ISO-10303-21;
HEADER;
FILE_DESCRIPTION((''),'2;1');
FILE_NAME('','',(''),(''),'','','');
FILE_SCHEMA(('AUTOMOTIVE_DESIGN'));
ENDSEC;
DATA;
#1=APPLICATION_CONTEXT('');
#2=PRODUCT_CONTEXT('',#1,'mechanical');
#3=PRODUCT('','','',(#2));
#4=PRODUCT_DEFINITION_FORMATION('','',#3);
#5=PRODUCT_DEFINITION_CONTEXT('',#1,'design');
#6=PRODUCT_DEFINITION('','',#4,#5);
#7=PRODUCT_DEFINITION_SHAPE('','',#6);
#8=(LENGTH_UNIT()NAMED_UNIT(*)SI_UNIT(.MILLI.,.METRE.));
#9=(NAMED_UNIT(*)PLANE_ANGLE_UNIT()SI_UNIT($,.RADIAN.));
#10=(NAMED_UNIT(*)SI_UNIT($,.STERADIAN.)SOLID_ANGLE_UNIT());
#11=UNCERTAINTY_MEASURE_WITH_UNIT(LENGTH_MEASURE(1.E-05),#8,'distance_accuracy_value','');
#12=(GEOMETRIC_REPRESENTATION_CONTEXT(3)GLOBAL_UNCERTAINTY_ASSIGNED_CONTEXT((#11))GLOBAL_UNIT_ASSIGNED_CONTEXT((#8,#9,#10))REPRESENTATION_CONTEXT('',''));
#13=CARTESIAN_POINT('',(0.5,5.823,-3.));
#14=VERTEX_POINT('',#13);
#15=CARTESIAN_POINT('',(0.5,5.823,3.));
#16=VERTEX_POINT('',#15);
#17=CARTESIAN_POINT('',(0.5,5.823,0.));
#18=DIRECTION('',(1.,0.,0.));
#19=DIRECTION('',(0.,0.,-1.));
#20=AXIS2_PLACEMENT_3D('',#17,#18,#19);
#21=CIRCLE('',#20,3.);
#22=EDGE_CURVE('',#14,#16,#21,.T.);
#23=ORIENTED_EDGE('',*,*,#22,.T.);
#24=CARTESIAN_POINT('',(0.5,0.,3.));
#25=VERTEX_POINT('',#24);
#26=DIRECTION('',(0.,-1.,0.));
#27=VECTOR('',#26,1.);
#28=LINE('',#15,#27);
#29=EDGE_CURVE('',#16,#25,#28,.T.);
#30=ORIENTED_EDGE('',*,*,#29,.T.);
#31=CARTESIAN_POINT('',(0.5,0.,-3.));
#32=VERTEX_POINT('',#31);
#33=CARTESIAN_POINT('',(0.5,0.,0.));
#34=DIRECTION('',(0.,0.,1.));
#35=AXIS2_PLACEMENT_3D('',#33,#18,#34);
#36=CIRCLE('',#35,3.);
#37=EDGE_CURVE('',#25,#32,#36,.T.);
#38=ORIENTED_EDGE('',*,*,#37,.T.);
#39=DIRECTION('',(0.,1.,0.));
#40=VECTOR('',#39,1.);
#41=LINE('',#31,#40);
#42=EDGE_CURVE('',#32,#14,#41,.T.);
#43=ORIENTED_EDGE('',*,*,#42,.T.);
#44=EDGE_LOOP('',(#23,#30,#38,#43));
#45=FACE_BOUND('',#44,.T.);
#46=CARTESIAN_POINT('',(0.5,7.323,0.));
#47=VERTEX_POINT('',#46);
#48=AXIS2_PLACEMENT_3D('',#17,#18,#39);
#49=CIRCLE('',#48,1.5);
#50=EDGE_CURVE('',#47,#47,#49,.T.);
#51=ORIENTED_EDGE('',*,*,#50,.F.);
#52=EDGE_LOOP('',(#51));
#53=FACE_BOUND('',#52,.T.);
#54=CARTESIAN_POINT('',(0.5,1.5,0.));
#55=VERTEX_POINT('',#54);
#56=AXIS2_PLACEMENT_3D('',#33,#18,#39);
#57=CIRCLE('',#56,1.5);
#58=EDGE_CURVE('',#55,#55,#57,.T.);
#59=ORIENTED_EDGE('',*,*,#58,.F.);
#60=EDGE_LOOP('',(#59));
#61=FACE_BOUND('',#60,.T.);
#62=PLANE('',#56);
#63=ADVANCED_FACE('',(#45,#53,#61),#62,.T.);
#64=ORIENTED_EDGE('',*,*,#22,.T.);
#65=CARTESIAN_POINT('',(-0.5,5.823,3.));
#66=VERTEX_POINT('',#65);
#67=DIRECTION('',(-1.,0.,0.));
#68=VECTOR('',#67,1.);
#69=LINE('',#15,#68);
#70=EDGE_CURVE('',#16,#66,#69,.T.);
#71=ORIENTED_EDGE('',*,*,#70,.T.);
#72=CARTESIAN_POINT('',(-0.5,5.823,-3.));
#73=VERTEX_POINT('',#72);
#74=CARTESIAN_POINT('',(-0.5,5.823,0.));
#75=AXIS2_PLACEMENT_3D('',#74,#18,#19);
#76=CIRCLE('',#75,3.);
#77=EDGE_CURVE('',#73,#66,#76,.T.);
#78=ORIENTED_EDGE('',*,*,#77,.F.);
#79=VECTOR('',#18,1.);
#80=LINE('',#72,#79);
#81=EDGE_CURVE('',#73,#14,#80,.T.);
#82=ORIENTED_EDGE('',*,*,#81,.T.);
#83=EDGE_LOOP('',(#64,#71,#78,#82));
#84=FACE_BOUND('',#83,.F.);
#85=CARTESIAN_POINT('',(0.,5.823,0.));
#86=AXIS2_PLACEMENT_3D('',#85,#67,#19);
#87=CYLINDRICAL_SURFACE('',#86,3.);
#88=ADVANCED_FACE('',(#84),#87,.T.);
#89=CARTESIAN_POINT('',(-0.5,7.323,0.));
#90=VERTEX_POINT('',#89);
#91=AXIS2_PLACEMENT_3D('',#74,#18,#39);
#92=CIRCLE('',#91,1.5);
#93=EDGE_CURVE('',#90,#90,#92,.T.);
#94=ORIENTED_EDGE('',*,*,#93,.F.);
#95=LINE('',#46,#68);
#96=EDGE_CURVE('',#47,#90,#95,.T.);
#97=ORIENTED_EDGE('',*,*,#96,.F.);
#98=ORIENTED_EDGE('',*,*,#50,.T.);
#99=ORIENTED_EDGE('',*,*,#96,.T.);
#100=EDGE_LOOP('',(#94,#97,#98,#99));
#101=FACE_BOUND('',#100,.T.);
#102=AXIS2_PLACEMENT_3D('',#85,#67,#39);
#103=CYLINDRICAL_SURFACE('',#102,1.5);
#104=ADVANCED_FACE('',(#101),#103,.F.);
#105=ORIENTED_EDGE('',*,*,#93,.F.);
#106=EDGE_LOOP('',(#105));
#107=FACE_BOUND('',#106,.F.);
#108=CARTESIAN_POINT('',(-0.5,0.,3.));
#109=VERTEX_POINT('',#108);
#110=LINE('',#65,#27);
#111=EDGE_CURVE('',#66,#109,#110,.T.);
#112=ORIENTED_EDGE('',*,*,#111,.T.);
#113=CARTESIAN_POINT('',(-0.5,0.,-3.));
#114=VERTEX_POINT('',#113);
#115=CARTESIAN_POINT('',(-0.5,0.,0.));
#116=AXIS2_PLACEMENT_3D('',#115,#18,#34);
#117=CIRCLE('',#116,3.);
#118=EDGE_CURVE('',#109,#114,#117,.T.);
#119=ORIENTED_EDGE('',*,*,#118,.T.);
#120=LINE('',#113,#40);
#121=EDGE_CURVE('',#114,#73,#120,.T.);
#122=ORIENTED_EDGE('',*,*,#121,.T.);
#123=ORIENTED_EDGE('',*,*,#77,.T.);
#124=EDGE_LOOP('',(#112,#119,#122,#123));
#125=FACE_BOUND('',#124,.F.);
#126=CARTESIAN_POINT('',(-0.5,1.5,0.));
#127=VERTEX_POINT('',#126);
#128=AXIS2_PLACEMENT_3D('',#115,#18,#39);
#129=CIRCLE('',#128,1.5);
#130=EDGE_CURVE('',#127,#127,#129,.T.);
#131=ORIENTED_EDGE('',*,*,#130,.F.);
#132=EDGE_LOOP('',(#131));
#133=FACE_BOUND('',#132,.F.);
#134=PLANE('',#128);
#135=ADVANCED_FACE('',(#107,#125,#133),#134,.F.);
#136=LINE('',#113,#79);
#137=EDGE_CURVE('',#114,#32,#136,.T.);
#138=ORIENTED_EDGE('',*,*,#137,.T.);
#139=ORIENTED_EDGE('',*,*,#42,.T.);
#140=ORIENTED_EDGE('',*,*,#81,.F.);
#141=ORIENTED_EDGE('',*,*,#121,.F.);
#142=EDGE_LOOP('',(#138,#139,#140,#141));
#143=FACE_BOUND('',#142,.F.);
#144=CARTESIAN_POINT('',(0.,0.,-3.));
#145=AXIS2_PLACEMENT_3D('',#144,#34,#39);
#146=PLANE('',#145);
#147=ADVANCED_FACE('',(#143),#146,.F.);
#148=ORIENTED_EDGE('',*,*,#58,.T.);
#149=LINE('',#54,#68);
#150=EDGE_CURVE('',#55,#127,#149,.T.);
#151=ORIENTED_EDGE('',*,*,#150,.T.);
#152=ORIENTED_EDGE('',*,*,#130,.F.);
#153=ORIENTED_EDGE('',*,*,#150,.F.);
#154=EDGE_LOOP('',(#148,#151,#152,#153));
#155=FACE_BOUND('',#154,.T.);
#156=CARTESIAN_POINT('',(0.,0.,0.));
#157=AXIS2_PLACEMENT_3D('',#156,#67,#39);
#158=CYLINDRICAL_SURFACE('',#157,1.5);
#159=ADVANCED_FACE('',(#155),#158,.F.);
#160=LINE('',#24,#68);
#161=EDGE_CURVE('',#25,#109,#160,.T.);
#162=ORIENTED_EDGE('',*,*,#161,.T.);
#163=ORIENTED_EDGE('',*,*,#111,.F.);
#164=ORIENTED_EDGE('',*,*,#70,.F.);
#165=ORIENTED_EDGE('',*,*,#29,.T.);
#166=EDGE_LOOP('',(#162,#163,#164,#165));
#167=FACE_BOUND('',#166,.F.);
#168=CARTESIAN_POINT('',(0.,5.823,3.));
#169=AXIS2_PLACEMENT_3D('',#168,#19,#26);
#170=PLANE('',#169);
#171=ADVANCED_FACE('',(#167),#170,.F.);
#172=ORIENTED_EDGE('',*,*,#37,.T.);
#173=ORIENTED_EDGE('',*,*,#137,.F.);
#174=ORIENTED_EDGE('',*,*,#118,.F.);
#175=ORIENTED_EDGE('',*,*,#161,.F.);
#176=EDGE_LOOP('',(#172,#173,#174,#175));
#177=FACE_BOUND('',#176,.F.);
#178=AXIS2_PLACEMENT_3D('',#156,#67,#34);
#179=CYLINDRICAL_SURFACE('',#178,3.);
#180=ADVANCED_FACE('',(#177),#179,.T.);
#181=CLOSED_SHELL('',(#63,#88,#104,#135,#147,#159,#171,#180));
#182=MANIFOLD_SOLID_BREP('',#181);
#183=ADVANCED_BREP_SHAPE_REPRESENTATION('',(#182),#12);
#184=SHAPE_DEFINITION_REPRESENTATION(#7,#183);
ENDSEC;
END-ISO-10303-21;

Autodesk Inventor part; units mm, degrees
ref_plane "YZ Plane" through (0, 0, 0) normal (1, 0, 0) x (0, 1, 0)
ref_plane "XZ Plane" through (0, 0, 0) normal (0, 1, 0) x (-1, 0, 0)
ref_plane "XY Plane" through (0, 0, 0) normal (0, 0, 1) x (1, 0, 0)
sketch "スケッチ1" plane through (0, 0, 0) normal (1, 0, 0) x (0, 1, 0)
  circle A0 centre (0, 0) radius 1.5
  circle A1 centre (5.823, 0) radius 1.5
  line L0 (0, 0) -> (5.823, 0) construction
  line L1 (0, -3) -> (5.823, -3)
  line L2 (5.823, 3) -> (0, 3)
  arc A2 (0, 3) -> (0, -3) centre (0, 0) ccw
  arc A3 (5.823, -3) -> (5.823, 3) centre (5.823, 0) ccw
  point P0 (2.9115, 0)
  dimension "d0" = 3
  dimension "d1" = 5.823
  dimension "d2" = 3
extrude "押し出し1" add sketch "スケッチ1" along normal mid plane 1
properties part number "Dummy_JointPosiion" material "ABS プラスチック"
